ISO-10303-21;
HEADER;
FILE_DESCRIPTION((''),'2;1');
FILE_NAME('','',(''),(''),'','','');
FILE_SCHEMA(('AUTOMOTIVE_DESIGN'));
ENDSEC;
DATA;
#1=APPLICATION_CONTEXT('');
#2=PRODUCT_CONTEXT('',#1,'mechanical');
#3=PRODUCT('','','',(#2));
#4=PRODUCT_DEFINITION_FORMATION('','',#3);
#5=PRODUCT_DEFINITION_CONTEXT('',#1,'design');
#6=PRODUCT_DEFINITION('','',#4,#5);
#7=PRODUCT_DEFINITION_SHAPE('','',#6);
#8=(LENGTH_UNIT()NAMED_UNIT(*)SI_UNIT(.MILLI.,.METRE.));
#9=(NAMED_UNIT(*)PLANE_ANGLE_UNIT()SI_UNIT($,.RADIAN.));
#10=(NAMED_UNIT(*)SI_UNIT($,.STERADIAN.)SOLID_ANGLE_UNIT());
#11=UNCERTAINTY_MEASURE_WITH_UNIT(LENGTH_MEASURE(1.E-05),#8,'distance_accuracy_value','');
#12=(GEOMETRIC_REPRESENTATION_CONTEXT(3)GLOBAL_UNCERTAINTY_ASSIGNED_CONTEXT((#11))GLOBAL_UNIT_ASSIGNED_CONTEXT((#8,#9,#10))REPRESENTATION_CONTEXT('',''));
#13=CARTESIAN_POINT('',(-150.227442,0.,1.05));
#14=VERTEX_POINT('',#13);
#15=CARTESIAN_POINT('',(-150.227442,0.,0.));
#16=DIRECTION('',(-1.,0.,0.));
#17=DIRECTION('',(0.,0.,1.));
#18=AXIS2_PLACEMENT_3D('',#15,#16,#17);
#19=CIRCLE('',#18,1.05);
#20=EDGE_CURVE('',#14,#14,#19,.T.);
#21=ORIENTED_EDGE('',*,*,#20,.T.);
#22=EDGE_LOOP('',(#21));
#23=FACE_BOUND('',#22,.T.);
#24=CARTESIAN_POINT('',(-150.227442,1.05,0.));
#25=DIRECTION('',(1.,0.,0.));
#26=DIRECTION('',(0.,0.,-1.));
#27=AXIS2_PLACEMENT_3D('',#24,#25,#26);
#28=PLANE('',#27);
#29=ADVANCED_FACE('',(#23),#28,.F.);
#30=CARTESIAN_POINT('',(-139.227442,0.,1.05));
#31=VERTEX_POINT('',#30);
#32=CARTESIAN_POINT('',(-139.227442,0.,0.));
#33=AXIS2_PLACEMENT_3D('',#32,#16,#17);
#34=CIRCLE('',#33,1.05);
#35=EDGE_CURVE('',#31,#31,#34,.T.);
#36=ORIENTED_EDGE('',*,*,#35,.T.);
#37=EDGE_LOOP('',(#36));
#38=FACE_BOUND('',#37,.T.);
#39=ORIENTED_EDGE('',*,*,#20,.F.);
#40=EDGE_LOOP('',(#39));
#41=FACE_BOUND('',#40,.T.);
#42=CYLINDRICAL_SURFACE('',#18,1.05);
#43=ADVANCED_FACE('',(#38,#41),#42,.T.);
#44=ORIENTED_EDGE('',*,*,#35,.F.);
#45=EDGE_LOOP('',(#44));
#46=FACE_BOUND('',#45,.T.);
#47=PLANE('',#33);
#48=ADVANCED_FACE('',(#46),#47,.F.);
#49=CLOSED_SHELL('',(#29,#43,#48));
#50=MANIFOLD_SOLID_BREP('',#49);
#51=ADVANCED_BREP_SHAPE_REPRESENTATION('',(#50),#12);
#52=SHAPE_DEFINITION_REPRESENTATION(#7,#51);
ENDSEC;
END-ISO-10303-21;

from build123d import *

# Parameters (mm, degrees)
SKETCH1_W = 11
SKETCH1_H = 1.05


with BuildPart() as part:
    # Sketch1 → Revolve1 (revolve)
    with BuildSketch(Plane.XY, mode=Mode.PRIVATE) as revolve1_sk:
        with Locations((-144.727441652, 0.525)):
            Rectangle(SKETCH1_W, SKETCH1_H)
    revolve(revolve1_sk.sketch.rotate(Axis((-150.227441652, 0, 0), (1, 0, 0)), 90), axis=Axis((-150.227441652, 0, 0), (1, 0, 0)))


solid = part.part
